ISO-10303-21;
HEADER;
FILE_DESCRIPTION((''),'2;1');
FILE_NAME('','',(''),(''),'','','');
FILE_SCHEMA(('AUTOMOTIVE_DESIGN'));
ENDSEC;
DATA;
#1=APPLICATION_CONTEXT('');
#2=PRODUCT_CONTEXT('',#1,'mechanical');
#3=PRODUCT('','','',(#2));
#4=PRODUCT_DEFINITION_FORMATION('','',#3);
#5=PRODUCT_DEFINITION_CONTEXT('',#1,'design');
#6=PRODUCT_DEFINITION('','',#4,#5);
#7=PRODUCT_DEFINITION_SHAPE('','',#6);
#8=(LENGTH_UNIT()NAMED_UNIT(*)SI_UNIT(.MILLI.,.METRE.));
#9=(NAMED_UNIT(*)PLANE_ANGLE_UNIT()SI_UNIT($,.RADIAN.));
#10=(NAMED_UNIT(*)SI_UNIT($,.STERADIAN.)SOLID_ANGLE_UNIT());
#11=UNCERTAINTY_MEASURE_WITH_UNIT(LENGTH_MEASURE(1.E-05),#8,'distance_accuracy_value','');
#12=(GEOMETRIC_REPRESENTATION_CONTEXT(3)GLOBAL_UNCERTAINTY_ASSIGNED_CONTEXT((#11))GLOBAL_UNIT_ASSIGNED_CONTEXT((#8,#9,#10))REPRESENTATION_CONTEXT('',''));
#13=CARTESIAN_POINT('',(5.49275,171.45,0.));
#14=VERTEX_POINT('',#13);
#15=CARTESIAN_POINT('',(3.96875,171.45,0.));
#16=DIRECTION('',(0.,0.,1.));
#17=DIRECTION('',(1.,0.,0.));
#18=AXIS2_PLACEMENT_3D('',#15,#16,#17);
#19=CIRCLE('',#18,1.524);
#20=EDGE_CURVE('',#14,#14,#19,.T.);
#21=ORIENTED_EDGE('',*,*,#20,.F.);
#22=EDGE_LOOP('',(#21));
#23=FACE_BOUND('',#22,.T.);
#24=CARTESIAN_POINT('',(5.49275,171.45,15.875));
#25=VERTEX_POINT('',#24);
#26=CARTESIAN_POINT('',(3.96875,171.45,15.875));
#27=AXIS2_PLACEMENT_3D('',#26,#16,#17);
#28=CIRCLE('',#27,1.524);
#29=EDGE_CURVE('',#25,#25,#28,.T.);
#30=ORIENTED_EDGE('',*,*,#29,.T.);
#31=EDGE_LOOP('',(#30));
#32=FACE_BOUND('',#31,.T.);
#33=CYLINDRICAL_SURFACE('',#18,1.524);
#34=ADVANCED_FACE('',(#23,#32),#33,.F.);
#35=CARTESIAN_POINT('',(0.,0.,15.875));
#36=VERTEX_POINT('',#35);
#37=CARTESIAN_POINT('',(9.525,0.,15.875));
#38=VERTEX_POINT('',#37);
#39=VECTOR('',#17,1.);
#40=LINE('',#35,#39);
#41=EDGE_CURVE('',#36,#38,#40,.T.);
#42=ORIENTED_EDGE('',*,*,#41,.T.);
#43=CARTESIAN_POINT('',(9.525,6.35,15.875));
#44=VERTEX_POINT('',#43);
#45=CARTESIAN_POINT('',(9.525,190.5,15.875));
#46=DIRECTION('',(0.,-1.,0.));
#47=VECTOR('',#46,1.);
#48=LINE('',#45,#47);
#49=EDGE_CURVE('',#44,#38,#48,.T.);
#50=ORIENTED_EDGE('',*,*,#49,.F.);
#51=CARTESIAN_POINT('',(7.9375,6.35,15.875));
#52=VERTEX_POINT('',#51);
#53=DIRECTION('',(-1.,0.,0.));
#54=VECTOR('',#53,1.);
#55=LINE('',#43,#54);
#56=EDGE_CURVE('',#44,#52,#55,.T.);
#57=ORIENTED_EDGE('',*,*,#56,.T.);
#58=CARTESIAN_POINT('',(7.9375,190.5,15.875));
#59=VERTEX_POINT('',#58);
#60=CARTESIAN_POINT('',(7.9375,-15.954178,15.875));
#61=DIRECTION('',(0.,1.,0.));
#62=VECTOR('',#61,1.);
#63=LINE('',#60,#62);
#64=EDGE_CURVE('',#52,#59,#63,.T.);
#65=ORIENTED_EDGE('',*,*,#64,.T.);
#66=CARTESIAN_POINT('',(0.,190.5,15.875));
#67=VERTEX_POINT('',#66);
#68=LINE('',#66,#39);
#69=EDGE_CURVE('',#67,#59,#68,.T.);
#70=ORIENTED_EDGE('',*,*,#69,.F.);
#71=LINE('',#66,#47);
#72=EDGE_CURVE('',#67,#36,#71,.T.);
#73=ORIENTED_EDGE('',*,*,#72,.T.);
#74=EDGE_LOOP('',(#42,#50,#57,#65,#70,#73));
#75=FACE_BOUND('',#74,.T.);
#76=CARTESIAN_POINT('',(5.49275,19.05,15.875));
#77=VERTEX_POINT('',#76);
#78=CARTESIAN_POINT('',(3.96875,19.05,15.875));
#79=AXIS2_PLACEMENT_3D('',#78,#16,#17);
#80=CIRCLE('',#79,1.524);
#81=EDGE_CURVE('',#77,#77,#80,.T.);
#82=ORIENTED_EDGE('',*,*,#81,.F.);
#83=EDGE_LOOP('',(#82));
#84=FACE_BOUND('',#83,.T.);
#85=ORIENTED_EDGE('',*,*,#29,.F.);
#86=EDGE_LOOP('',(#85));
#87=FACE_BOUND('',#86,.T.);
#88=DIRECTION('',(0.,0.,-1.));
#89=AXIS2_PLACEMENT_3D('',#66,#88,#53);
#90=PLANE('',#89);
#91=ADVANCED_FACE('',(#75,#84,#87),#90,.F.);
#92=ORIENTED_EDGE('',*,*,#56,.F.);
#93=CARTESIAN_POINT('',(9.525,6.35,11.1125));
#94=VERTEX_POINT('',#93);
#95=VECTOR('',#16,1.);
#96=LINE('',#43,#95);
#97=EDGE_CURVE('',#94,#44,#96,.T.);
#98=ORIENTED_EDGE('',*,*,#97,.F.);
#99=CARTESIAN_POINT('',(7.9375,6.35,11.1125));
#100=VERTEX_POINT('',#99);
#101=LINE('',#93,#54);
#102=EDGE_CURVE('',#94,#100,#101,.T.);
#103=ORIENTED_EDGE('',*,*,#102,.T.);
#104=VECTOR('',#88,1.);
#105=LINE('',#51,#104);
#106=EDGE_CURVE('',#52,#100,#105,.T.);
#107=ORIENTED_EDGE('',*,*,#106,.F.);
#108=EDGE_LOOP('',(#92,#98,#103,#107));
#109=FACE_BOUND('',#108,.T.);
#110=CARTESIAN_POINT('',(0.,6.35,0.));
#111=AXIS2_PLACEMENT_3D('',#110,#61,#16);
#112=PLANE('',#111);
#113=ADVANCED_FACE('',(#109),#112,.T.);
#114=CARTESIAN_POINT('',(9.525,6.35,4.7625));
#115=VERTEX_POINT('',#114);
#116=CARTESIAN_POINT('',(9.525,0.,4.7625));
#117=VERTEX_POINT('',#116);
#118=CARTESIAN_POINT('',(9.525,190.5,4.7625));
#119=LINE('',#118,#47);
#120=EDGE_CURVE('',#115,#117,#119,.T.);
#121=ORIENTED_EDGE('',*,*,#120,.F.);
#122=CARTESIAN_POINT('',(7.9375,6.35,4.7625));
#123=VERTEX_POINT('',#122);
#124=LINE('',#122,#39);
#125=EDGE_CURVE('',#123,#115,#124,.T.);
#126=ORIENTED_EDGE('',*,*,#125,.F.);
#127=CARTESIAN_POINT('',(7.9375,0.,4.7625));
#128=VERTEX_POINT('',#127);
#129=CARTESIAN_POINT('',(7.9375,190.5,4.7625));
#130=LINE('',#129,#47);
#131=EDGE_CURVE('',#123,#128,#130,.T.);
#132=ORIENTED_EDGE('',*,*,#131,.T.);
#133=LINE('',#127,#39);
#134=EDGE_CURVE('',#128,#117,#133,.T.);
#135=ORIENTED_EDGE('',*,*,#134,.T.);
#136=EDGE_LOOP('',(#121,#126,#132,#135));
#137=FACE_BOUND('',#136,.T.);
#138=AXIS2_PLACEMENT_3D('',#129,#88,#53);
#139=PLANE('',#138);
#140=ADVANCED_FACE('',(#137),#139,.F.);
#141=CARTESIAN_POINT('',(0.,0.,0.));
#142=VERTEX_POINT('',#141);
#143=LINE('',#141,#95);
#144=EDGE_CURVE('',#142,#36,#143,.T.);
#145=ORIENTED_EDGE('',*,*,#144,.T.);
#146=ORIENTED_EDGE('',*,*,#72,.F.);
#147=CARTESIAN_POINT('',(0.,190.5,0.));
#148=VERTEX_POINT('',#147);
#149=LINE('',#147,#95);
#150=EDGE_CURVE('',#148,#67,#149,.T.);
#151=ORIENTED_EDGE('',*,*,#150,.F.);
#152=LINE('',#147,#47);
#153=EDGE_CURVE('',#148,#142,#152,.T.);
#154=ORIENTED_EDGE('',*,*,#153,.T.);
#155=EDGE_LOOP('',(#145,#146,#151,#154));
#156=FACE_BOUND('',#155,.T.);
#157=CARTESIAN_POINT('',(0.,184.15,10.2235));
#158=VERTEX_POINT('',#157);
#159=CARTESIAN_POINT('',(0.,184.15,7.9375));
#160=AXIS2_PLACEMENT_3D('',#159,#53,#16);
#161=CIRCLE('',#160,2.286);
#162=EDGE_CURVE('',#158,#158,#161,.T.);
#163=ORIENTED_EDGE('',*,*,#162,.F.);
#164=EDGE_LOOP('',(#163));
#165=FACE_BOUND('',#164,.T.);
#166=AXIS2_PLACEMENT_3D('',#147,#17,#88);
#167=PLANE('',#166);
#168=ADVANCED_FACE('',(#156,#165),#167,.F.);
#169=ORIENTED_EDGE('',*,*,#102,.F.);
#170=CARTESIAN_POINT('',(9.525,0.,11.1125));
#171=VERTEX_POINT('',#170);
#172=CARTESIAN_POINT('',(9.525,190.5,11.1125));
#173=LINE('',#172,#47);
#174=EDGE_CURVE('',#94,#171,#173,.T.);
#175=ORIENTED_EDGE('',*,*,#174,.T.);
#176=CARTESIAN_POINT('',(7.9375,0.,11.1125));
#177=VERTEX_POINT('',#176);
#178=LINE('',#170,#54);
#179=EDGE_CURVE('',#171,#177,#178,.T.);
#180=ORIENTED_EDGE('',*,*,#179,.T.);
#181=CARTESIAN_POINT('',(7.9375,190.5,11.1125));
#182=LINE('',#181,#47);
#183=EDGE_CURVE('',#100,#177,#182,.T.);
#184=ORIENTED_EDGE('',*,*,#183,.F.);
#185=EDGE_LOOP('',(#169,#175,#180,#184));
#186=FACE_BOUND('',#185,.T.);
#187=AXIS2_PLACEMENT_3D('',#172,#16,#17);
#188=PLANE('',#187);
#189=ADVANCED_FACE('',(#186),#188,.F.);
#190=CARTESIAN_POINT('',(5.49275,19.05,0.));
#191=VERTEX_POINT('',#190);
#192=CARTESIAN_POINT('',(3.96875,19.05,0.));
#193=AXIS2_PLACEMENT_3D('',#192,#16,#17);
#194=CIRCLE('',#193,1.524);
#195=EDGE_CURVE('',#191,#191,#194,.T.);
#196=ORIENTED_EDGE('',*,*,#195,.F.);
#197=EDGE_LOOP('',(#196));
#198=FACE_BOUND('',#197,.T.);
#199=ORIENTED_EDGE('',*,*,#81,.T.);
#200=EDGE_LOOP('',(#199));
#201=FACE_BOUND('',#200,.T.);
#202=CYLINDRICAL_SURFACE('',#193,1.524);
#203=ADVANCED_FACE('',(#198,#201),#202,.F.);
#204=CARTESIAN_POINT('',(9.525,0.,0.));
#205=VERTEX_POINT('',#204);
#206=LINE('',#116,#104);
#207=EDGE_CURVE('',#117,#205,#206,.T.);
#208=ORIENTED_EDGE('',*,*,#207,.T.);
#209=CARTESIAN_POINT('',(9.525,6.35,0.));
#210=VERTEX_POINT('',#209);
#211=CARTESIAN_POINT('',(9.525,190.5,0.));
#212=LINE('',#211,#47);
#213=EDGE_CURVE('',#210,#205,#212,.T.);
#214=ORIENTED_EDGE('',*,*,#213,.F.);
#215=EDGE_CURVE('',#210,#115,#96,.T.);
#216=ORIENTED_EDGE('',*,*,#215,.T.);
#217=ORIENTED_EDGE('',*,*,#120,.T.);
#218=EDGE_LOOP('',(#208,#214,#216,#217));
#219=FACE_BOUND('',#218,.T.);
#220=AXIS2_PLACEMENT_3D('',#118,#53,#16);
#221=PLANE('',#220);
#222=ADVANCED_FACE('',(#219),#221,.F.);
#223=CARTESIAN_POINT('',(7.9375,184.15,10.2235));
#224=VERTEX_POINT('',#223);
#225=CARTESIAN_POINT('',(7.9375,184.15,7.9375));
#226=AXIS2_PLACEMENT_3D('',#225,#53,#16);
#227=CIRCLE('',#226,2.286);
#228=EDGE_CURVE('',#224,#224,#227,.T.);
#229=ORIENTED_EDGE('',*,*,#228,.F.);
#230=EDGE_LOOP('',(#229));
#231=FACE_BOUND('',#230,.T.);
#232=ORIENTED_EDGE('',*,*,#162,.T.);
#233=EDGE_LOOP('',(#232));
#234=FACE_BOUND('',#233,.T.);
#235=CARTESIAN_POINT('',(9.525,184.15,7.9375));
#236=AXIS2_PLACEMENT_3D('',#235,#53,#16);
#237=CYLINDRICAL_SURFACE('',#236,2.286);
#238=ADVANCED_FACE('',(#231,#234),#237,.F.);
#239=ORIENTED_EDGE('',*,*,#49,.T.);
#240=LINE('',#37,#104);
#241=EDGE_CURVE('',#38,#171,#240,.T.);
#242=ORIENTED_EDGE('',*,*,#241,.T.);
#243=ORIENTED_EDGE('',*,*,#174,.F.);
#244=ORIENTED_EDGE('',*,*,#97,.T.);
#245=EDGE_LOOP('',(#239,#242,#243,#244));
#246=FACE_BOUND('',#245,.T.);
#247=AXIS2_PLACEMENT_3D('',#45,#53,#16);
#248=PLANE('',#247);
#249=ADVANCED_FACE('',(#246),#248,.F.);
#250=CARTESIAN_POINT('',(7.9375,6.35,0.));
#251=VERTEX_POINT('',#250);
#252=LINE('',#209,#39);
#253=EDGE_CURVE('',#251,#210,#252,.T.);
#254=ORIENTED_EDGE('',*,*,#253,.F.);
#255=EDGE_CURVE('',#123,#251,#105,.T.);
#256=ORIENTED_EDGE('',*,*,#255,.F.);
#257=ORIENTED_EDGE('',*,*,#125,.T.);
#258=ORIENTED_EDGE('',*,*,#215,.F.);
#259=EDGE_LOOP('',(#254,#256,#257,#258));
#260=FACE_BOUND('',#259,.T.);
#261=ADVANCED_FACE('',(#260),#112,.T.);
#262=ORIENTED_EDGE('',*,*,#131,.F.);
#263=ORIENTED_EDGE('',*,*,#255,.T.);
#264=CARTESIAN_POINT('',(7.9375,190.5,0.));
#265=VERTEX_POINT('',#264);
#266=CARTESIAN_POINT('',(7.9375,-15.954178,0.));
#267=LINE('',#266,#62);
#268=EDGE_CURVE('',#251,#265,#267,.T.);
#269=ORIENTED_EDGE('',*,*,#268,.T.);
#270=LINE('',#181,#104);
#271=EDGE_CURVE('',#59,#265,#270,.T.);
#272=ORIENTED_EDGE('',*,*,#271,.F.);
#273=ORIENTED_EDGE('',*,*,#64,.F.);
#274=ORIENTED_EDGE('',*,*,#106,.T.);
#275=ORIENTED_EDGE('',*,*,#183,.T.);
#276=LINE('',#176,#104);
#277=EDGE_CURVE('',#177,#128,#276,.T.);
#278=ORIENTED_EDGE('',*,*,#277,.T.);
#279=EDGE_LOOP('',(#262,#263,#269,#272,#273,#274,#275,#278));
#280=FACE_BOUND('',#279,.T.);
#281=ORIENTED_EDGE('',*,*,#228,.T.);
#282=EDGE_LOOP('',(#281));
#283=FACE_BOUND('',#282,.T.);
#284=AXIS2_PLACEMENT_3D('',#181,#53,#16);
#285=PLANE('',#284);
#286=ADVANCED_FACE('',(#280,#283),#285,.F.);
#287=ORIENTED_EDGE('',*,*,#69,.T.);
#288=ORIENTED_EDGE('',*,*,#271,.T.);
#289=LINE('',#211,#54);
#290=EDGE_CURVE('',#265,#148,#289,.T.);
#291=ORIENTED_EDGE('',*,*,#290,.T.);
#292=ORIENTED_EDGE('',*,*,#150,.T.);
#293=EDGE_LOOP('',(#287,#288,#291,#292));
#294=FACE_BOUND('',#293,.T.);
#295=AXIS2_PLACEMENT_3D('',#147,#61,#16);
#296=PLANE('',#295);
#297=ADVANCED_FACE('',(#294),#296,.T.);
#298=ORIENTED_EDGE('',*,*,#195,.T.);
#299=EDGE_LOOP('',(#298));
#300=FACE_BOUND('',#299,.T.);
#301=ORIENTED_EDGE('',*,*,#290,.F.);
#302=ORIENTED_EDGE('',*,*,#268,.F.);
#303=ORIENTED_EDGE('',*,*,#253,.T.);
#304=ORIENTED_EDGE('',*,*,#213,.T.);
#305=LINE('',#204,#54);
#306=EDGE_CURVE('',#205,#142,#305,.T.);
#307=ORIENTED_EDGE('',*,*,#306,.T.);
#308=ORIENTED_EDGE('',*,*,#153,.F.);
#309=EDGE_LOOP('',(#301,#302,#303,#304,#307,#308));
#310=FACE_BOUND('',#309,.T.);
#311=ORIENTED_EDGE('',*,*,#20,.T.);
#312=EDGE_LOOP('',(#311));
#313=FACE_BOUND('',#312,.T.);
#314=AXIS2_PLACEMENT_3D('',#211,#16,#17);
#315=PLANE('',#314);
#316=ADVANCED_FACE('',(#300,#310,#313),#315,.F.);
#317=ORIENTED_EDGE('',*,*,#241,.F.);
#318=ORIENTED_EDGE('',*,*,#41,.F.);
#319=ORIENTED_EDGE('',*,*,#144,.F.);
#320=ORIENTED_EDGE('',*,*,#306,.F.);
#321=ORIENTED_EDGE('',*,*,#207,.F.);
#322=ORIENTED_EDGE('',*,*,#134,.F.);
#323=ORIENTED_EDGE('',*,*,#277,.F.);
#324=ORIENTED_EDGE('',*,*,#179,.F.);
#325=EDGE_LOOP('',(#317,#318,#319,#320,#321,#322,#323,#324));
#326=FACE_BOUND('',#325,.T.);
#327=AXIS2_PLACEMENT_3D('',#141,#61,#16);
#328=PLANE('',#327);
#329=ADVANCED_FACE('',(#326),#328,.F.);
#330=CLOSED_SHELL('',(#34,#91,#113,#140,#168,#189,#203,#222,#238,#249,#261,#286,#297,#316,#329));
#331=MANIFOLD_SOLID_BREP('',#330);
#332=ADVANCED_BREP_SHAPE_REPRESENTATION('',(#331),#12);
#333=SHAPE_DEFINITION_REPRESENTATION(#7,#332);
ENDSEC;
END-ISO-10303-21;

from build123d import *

# Parameters (mm, degrees)
BOSS_EXTRUDE1_DEPTH = 190.5
SKETCH2_W           = 1.5875
SKETCH2_H           = 15.875
CUT_EXTRUDE1_DEPTH  = 184.15
SKETCH3_R           = 1.524
CUT_EXTRUDE2_DEPTH  = 192.397469288
SKETCH4_R           = 2.286
CUT_EXTRUDE3_DEPTH  = 192.397469288


with BuildPart() as part:
    # Sketch1 → Boss-Extrude1 (new body)
    with BuildSketch(Plane(origin=(0, 0, 0), x_dir=(1, 0, 0), z_dir=(0, 1, 0))):
        Polygon((0, 0), (0, -15.875), (9.525, -15.875), (9.525, -11.1125), (7.9375, -11.1125), (7.9375, -4.7625), (9.525, -4.7625), (9.525, 0), align=None)
    extrude(amount=BOSS_EXTRUDE1_DEPTH)

    # Sketch2 → Cut-Extrude1 (cut)
    with BuildSketch(Plane(origin=(0, 190.5, 0), x_dir=(1, 0, 0), z_dir=(0, 1, 0))):
        with Locations((8.73125, -7.9375)):
            Rectangle(SKETCH2_W, SKETCH2_H)
    extrude(amount=-CUT_EXTRUDE1_DEPTH, mode=Mode.SUBTRACT)

    # Sketch3 → Cut-Extrude2 (cut, through all)
    with BuildSketch(Plane.XY.offset(15.875)):
        with Locations((3.96875, 19.05)):
            Circle(SKETCH3_R)
        with Locations((3.96875, 171.45)):
            Circle(SKETCH3_R)
    extrude(amount=-CUT_EXTRUDE2_DEPTH, mode=Mode.SUBTRACT)

    # Sketch4 → Cut-Extrude3 (cut, through all)
    with BuildSketch(Plane.ZY):
        with Locations((7.9375, 184.15)):
            Circle(SKETCH4_R)
    extrude(amount=-CUT_EXTRUDE3_DEPTH, mode=Mode.SUBTRACT)


solid = part.part
